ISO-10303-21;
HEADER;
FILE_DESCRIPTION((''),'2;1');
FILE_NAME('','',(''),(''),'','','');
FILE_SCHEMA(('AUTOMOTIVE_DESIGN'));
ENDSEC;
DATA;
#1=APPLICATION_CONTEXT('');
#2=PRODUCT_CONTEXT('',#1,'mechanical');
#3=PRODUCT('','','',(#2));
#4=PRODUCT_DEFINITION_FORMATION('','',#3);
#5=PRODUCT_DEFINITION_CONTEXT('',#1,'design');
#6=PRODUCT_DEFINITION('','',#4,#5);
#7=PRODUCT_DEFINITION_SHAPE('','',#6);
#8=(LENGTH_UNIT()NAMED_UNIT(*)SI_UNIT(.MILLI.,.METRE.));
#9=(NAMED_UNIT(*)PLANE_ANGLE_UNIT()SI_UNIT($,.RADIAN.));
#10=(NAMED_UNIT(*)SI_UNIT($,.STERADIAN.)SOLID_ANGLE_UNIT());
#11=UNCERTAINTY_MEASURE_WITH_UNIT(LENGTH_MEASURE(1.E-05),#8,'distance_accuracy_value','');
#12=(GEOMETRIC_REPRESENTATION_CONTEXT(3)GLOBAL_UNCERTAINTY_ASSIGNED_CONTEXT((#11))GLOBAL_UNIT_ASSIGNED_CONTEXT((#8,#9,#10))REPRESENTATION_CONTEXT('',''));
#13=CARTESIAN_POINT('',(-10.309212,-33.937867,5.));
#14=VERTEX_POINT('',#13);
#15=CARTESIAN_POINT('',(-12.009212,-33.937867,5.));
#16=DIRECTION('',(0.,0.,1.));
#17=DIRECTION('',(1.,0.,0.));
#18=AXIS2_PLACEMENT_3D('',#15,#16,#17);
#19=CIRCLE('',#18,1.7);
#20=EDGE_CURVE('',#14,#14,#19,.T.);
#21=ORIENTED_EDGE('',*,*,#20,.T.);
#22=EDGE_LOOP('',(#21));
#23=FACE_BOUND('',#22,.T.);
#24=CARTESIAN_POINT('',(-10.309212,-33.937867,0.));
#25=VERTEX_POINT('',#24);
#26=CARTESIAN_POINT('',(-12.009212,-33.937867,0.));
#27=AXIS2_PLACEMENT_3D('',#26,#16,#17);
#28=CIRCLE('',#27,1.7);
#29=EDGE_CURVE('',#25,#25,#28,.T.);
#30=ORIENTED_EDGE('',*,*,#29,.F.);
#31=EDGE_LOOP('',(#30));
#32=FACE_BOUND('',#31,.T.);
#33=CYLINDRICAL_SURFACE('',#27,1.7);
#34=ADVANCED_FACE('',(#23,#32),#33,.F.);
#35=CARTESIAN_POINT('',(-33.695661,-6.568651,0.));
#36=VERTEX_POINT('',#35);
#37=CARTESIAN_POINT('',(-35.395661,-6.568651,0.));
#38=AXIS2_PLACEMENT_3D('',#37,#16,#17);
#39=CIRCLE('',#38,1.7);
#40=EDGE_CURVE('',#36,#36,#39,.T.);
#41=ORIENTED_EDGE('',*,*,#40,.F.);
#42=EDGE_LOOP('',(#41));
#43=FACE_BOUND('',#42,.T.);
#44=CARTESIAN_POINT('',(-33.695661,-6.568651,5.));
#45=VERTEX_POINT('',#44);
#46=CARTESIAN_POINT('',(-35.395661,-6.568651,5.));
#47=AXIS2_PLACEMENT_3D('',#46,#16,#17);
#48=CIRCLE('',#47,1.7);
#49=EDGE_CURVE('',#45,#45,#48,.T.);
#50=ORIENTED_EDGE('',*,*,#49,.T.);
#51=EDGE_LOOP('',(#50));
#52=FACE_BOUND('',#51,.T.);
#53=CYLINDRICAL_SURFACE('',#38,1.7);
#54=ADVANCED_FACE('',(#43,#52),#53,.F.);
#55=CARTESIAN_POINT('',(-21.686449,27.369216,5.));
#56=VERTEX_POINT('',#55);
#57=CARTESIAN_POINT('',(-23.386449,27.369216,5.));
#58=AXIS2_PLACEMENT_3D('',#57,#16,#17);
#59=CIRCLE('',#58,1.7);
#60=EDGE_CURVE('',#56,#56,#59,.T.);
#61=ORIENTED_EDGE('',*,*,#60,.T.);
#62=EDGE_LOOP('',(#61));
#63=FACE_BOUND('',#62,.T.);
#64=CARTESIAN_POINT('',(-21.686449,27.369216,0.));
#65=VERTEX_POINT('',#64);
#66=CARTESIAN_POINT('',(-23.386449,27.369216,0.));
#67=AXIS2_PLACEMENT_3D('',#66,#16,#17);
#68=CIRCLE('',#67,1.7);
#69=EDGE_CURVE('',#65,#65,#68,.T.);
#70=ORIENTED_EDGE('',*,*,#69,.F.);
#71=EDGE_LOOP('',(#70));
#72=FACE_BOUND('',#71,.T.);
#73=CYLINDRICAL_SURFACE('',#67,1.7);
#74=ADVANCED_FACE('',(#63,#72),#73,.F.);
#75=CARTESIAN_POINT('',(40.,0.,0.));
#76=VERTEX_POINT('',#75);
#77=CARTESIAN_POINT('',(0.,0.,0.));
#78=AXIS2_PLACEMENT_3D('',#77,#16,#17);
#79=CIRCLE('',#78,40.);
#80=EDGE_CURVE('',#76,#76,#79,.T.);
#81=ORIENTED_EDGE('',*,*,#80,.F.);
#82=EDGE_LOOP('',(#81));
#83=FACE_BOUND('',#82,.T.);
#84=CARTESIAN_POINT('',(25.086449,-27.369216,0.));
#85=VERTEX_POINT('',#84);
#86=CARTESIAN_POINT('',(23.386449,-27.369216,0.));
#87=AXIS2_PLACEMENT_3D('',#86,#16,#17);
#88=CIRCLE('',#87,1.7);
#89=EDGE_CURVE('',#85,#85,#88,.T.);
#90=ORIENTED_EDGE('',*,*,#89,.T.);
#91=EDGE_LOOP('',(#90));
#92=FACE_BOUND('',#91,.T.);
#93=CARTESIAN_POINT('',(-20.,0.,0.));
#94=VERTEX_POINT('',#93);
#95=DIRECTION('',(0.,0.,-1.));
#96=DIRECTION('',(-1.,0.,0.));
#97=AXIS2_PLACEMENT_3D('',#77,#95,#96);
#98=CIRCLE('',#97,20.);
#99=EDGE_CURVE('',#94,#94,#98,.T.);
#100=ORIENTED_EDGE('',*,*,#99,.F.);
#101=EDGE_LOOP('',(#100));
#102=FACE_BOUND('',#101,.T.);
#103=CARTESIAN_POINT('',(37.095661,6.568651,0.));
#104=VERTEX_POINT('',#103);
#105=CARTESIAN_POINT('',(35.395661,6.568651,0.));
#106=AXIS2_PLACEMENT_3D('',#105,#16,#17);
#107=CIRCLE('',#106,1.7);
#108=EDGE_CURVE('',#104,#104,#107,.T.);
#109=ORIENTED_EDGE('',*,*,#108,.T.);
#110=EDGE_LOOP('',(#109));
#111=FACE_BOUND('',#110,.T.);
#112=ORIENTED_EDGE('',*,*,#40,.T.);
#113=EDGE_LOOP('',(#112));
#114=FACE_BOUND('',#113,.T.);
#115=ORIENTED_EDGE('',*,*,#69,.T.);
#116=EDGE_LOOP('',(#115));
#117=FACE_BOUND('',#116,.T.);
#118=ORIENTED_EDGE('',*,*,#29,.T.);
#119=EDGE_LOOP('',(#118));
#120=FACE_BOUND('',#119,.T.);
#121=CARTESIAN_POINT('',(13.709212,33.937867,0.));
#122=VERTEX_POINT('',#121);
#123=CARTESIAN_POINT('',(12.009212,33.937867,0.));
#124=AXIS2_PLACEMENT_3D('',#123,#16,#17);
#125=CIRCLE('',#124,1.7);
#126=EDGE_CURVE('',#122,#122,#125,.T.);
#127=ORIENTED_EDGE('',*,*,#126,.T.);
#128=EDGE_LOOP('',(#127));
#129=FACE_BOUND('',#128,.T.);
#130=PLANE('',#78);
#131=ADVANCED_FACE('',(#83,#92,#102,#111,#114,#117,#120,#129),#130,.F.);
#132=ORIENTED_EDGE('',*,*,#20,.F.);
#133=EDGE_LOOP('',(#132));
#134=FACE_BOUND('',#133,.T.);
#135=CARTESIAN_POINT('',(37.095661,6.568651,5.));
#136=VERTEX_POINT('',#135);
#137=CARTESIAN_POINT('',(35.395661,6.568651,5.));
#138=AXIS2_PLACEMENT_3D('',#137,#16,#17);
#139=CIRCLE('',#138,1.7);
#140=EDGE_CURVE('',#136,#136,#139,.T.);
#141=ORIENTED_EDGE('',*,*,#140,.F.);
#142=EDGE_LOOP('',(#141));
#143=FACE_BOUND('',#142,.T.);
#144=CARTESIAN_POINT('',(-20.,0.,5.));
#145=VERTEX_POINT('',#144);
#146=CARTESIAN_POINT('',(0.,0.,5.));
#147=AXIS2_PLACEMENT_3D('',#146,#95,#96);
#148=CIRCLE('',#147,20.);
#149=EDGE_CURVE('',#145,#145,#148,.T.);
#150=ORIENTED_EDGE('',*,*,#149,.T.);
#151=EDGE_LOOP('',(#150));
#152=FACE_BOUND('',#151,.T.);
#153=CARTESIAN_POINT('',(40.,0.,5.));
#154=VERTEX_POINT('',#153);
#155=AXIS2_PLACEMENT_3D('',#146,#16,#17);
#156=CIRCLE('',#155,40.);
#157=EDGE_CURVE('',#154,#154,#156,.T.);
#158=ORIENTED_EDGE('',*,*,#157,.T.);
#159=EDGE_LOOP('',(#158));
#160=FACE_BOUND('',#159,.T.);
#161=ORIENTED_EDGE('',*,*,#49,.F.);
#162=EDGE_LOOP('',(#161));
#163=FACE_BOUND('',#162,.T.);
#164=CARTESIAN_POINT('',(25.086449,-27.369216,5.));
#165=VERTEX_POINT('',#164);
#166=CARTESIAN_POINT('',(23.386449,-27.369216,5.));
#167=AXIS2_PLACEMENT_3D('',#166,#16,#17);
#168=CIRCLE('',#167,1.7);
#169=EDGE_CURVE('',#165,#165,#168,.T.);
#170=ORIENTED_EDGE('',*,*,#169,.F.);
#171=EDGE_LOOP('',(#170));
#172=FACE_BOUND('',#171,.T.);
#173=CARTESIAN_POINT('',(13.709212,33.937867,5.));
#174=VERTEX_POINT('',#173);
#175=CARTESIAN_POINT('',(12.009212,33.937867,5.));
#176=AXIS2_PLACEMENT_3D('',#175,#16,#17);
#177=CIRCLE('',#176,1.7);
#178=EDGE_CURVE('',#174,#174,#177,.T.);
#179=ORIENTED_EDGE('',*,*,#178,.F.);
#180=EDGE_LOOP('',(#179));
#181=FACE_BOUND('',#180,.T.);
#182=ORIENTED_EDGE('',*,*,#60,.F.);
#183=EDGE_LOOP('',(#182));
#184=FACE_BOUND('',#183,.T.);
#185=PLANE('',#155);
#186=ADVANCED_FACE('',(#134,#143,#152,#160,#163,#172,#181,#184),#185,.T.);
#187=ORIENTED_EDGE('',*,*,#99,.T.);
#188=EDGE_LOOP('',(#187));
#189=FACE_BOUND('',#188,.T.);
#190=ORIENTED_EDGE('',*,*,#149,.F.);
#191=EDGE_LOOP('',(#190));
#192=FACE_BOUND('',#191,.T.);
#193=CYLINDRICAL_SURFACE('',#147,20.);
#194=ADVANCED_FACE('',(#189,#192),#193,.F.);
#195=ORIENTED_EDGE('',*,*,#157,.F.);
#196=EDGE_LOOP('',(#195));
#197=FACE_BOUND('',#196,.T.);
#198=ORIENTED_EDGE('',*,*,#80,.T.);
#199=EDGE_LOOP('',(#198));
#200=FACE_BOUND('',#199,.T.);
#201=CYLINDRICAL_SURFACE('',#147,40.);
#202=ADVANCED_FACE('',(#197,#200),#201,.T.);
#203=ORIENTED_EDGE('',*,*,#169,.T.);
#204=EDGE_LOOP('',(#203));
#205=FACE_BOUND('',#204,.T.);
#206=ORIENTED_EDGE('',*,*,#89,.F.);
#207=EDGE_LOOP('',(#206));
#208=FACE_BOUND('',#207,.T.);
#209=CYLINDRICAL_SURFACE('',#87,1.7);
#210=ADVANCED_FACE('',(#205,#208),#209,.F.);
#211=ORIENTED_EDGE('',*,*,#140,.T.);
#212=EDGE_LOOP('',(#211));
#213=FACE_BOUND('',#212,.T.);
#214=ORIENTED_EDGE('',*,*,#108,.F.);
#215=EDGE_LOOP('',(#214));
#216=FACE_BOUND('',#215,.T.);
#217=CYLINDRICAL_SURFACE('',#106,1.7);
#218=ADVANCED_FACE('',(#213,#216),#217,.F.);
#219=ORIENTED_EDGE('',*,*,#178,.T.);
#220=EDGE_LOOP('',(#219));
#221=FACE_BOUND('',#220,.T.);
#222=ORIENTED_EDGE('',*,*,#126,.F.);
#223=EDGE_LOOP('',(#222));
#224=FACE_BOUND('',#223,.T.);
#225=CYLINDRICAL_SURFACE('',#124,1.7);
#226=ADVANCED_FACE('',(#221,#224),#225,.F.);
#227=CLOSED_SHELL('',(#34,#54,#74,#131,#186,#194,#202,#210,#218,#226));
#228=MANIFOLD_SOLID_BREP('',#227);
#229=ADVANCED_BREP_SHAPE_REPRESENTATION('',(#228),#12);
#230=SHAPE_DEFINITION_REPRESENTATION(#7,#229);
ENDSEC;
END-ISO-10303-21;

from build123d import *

# Parameters (mm, degrees)
SKETCH1_R           = 40
BOSS_EXTRUDE1_DEPTH = 5
SKETCH2_R           = 20
CUT_EXTRUDE1_DEPTH  = 6
SKETCH3_R           = 1.7
CUT_EXTRUDE2_DEPTH  = 6


with BuildPart() as part:
    # Sketch1 → Boss-Extrude1 (new body)
    with BuildSketch(Plane.XY):
        Circle(SKETCH1_R)
    extrude(amount=BOSS_EXTRUDE1_DEPTH)

    # Sketch2 → Cut-Extrude1 (cut, through all)
    with BuildSketch(Plane(origin=(0, 0, 0), x_dir=(-1, 0, 0), z_dir=(0, 0, -1))):
        Circle(SKETCH2_R)
    extrude(amount=-CUT_EXTRUDE1_DEPTH, mode=Mode.SUBTRACT)

    # Sketch3 → Cut-Extrude2 (cut, through all)
    with BuildSketch(Plane.XY.offset(5)):
        with Locations((12.009212016, 33.937867151)):
            Circle(SKETCH3_R)
        with Locations((35.395661111, 6.56865089)):
            Circle(SKETCH3_R)
        with Locations((23.386449095, -27.369216261)):
            Circle(SKETCH3_R)
        with Locations((-12.009212016, -33.937867151)):
            Circle(SKETCH3_R)
        with Locations((-35.395661111, -6.56865089)):
            Circle(SKETCH3_R)
        with Locations((-23.386449095, 27.369216261)):
            Circle(SKETCH3_R)
    extrude(amount=-CUT_EXTRUDE2_DEPTH, mode=Mode.SUBTRACT)


solid = part.part
